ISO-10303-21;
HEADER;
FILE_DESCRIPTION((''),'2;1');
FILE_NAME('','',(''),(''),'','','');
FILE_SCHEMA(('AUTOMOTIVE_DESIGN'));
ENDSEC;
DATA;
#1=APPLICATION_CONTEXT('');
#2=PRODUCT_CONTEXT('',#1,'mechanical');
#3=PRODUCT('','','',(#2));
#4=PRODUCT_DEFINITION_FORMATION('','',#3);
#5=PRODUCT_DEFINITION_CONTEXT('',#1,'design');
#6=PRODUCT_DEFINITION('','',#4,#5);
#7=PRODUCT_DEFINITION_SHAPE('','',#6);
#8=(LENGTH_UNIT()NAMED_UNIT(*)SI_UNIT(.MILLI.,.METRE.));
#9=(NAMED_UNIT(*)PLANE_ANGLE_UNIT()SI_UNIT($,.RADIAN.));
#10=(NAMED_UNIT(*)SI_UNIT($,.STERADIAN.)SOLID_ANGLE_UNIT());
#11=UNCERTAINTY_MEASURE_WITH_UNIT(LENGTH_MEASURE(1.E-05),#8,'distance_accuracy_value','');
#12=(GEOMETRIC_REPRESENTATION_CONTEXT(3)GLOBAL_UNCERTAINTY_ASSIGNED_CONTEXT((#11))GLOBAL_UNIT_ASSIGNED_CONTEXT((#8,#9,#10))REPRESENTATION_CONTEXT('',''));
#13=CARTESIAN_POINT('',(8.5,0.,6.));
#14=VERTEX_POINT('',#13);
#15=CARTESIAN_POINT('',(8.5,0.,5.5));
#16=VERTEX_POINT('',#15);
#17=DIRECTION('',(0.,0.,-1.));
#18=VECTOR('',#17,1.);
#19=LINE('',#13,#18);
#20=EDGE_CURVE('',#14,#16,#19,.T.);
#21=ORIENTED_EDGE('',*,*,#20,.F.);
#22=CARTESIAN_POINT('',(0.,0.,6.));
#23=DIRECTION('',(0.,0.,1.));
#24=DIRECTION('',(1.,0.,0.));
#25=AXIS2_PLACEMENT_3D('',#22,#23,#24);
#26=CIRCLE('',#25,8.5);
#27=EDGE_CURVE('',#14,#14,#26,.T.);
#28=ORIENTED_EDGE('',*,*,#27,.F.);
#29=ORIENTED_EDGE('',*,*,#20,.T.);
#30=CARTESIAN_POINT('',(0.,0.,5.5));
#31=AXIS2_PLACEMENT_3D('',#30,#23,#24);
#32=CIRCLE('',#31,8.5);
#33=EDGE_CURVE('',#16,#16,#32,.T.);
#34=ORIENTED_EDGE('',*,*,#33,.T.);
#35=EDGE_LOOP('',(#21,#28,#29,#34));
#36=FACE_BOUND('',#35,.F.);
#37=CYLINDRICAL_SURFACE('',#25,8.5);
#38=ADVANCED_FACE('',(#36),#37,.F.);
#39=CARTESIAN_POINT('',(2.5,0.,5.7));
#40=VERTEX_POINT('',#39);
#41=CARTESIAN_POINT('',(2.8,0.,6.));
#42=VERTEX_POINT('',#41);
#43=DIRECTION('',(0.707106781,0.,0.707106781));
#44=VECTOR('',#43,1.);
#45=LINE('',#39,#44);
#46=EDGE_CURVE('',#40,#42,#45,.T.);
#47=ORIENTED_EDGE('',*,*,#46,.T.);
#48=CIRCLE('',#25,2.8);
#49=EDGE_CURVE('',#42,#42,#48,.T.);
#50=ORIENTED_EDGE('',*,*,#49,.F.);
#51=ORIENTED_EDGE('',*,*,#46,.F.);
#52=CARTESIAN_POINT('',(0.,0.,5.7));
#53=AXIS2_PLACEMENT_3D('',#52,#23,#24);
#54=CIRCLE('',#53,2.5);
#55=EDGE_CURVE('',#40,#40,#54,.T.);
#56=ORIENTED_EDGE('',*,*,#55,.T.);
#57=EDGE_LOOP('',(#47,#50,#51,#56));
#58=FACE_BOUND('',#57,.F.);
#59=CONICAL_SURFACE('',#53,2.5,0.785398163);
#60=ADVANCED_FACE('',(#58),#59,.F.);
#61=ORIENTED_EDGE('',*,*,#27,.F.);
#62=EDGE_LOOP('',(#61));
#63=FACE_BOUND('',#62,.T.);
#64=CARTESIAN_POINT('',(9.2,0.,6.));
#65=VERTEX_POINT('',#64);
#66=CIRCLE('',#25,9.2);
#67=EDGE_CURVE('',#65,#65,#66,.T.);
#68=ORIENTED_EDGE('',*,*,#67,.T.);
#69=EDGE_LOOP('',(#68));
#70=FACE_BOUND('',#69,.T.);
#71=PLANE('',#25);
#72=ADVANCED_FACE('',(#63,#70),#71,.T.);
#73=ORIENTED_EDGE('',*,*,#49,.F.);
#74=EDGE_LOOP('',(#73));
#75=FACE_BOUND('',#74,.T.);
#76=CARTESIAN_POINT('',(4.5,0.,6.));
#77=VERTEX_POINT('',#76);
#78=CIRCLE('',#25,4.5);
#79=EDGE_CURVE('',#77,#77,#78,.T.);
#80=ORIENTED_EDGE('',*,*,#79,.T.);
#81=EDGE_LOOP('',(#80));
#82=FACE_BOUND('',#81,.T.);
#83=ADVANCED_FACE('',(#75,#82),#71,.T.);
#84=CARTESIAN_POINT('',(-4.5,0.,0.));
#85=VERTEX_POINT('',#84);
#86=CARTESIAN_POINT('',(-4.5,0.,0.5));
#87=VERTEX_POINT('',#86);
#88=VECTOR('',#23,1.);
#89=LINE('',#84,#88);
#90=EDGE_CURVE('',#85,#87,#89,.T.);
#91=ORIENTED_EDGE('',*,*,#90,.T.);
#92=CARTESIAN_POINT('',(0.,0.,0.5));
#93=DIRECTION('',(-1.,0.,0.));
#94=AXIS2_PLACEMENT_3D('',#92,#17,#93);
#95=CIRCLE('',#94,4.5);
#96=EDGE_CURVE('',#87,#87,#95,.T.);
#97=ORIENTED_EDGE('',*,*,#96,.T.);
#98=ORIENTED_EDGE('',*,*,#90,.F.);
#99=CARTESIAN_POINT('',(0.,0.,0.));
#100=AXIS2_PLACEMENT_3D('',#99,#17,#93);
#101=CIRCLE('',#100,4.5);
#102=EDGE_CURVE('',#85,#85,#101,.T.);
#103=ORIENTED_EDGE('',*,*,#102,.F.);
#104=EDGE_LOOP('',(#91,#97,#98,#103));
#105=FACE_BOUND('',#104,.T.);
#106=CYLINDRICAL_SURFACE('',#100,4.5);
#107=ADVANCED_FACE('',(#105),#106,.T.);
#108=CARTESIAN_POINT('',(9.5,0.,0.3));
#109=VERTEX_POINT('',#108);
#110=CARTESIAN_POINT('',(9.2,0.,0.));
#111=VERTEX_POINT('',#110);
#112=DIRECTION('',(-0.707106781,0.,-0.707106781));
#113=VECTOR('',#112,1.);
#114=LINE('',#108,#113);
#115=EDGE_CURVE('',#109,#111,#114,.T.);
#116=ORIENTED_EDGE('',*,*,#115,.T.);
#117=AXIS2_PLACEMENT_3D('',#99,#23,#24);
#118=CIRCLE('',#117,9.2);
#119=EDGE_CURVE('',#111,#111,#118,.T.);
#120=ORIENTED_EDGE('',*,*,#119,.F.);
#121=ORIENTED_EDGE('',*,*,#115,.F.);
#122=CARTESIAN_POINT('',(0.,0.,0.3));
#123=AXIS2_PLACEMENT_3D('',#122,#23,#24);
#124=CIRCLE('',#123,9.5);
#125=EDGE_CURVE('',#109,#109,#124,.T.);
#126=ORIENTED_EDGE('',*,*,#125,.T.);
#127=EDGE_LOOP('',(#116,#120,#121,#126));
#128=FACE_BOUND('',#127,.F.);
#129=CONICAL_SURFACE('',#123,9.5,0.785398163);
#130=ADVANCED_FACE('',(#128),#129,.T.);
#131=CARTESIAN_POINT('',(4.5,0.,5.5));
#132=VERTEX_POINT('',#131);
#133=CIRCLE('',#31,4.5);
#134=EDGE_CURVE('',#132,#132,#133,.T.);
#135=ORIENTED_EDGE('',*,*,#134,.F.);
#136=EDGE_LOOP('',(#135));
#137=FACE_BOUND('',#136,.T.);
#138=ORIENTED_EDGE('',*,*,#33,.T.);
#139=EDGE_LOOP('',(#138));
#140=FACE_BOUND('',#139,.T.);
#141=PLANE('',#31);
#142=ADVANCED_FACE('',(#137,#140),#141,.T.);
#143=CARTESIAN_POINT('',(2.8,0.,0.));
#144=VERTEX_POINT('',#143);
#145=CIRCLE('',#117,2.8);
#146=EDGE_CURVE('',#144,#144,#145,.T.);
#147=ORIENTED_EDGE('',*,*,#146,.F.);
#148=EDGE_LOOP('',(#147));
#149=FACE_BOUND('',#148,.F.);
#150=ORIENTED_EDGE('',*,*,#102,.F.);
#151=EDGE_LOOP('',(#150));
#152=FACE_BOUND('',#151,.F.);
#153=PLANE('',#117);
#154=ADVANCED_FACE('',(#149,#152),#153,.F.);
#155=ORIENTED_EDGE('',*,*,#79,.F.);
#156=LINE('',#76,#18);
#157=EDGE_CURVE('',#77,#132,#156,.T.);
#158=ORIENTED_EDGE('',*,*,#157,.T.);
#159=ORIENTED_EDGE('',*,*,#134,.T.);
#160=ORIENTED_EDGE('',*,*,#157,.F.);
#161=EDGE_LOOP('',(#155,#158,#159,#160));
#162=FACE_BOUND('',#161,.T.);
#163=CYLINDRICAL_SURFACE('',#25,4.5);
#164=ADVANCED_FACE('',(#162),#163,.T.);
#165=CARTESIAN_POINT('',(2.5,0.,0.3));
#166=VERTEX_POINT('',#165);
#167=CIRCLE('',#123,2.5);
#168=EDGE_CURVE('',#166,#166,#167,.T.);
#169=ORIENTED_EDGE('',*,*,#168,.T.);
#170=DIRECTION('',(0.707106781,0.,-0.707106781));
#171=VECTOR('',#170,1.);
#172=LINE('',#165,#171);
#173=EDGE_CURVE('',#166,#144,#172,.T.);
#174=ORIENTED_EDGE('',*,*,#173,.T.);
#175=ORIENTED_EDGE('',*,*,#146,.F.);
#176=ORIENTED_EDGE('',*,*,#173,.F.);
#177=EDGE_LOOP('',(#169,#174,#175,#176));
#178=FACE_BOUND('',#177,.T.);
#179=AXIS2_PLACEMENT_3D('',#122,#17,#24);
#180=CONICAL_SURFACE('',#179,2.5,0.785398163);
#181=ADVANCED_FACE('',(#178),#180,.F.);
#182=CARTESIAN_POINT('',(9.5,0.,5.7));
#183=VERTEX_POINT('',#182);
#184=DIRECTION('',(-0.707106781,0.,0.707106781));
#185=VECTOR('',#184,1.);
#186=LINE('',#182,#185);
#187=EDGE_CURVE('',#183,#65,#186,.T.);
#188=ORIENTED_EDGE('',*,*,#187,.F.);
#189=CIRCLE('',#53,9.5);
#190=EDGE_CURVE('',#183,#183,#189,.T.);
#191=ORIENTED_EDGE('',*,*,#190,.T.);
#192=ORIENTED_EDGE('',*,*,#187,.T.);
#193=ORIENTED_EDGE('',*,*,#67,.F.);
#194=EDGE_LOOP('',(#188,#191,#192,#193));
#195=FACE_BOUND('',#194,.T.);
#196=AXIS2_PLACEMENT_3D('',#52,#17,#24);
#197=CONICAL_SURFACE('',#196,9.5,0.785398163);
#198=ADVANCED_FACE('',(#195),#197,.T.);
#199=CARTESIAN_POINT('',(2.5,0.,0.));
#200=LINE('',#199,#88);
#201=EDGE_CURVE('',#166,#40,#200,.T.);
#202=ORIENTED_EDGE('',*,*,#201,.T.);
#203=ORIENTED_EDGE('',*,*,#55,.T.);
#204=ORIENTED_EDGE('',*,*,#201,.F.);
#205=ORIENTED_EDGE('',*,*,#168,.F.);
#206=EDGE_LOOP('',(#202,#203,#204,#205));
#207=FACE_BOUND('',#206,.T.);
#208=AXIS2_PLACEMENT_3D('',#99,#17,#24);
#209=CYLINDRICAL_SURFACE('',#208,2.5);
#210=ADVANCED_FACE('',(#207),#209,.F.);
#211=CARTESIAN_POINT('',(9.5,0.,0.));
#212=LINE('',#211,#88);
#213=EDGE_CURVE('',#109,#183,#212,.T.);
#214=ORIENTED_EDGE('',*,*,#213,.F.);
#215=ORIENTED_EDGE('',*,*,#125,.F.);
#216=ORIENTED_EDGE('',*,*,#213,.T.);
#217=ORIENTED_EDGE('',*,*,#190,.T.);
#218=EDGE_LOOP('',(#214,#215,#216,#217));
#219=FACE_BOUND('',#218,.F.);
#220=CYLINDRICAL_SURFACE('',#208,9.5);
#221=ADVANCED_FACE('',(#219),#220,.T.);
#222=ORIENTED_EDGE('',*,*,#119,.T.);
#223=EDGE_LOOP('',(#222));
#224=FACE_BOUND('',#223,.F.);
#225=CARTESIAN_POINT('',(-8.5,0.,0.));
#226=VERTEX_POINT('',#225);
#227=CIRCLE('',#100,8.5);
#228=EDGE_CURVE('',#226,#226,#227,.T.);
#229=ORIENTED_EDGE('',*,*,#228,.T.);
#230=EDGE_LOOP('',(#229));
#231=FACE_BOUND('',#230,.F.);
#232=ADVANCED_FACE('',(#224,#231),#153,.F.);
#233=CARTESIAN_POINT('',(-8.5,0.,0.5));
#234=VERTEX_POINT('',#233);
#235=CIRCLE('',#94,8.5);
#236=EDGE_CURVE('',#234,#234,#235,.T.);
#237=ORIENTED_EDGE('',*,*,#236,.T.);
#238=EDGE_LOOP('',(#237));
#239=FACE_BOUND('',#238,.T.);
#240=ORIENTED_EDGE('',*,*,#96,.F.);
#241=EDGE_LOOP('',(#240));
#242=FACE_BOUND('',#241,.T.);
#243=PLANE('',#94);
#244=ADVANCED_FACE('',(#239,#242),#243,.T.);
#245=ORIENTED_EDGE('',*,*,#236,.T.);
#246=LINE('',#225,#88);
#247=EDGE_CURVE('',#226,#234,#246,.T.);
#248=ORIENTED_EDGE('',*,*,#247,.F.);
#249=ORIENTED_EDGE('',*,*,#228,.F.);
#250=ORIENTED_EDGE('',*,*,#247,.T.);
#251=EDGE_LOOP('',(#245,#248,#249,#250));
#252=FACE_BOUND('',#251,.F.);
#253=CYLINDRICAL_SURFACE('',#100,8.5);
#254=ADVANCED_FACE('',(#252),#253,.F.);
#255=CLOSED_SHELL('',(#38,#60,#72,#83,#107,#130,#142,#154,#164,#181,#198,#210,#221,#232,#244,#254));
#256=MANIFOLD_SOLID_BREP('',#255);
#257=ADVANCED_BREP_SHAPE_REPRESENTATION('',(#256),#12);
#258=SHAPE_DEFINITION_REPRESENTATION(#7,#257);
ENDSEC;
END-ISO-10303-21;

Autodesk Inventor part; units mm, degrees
ref_plane "YZ Plane" through (0, 0, 0) normal (1, 0, 0) x (0, 1, 0)
ref_plane "XZ Plane" through (0, 0, 0) normal (0, 1, 0) x (-1, 0, 0)
ref_plane "XY Plane" through (0, 0, 0) normal (0, 0, 1) x (1, 0, 0)
sketch "Szkic1" plane through (0, 0, 0) normal (0, 0, 1) x (1, 0, 0)
  circle A0 centre (0, 0) radius 2.5
  circle A1 centre (0, 0) radius 9.5
  dimension "d0" = 5
  dimension "d1" = 19
extrude "Wyciągnięcie proste1" add sketch "Szkic1" along normal blind 6
chamfer "Faza1" distance 0.3 angle 45 4 edges at (-9.5, 0, 6) (-2.5, 0, 6) (-9.5, 0, 0) (-2.5, 0, 0)
sketch "Szkic2" plane through (0, 0, 0) normal (0, 0, -1) x (-1, 0, 0)
  circle A0 centre (0, 0) radius 9.2 projected
  circle A1 centre (0, 0) radius 2.8 projected
  circle A2 centre (0, 0) radius 9.5 projected
  circle A3 centre (0, 0) radius 2.5 projected
  circle A4 centre (0, 0) radius 4.5
  circle A5 centre (0, 0) radius 8.5
  dimension "d7" = 2
  dimension "d8" = 1
extrude "Wyciągnięcie proste2" cut sketch "Szkic2" against normal blind 0.5 contours A5
sketch "Szkic3" plane through (0, 0, 6) normal (0, 0, 1) x (1, 0, 0)
  circle A0 centre (0, 0) radius 8.5 projected
  circle A1 centre (0, 0) radius 4.5 projected
extrude "Wyciągnięcie proste3" cut sketch "Szkic3" against normal blind 0.5
properties part number "COTS_GENERIC_Bearing_19x5x6"
